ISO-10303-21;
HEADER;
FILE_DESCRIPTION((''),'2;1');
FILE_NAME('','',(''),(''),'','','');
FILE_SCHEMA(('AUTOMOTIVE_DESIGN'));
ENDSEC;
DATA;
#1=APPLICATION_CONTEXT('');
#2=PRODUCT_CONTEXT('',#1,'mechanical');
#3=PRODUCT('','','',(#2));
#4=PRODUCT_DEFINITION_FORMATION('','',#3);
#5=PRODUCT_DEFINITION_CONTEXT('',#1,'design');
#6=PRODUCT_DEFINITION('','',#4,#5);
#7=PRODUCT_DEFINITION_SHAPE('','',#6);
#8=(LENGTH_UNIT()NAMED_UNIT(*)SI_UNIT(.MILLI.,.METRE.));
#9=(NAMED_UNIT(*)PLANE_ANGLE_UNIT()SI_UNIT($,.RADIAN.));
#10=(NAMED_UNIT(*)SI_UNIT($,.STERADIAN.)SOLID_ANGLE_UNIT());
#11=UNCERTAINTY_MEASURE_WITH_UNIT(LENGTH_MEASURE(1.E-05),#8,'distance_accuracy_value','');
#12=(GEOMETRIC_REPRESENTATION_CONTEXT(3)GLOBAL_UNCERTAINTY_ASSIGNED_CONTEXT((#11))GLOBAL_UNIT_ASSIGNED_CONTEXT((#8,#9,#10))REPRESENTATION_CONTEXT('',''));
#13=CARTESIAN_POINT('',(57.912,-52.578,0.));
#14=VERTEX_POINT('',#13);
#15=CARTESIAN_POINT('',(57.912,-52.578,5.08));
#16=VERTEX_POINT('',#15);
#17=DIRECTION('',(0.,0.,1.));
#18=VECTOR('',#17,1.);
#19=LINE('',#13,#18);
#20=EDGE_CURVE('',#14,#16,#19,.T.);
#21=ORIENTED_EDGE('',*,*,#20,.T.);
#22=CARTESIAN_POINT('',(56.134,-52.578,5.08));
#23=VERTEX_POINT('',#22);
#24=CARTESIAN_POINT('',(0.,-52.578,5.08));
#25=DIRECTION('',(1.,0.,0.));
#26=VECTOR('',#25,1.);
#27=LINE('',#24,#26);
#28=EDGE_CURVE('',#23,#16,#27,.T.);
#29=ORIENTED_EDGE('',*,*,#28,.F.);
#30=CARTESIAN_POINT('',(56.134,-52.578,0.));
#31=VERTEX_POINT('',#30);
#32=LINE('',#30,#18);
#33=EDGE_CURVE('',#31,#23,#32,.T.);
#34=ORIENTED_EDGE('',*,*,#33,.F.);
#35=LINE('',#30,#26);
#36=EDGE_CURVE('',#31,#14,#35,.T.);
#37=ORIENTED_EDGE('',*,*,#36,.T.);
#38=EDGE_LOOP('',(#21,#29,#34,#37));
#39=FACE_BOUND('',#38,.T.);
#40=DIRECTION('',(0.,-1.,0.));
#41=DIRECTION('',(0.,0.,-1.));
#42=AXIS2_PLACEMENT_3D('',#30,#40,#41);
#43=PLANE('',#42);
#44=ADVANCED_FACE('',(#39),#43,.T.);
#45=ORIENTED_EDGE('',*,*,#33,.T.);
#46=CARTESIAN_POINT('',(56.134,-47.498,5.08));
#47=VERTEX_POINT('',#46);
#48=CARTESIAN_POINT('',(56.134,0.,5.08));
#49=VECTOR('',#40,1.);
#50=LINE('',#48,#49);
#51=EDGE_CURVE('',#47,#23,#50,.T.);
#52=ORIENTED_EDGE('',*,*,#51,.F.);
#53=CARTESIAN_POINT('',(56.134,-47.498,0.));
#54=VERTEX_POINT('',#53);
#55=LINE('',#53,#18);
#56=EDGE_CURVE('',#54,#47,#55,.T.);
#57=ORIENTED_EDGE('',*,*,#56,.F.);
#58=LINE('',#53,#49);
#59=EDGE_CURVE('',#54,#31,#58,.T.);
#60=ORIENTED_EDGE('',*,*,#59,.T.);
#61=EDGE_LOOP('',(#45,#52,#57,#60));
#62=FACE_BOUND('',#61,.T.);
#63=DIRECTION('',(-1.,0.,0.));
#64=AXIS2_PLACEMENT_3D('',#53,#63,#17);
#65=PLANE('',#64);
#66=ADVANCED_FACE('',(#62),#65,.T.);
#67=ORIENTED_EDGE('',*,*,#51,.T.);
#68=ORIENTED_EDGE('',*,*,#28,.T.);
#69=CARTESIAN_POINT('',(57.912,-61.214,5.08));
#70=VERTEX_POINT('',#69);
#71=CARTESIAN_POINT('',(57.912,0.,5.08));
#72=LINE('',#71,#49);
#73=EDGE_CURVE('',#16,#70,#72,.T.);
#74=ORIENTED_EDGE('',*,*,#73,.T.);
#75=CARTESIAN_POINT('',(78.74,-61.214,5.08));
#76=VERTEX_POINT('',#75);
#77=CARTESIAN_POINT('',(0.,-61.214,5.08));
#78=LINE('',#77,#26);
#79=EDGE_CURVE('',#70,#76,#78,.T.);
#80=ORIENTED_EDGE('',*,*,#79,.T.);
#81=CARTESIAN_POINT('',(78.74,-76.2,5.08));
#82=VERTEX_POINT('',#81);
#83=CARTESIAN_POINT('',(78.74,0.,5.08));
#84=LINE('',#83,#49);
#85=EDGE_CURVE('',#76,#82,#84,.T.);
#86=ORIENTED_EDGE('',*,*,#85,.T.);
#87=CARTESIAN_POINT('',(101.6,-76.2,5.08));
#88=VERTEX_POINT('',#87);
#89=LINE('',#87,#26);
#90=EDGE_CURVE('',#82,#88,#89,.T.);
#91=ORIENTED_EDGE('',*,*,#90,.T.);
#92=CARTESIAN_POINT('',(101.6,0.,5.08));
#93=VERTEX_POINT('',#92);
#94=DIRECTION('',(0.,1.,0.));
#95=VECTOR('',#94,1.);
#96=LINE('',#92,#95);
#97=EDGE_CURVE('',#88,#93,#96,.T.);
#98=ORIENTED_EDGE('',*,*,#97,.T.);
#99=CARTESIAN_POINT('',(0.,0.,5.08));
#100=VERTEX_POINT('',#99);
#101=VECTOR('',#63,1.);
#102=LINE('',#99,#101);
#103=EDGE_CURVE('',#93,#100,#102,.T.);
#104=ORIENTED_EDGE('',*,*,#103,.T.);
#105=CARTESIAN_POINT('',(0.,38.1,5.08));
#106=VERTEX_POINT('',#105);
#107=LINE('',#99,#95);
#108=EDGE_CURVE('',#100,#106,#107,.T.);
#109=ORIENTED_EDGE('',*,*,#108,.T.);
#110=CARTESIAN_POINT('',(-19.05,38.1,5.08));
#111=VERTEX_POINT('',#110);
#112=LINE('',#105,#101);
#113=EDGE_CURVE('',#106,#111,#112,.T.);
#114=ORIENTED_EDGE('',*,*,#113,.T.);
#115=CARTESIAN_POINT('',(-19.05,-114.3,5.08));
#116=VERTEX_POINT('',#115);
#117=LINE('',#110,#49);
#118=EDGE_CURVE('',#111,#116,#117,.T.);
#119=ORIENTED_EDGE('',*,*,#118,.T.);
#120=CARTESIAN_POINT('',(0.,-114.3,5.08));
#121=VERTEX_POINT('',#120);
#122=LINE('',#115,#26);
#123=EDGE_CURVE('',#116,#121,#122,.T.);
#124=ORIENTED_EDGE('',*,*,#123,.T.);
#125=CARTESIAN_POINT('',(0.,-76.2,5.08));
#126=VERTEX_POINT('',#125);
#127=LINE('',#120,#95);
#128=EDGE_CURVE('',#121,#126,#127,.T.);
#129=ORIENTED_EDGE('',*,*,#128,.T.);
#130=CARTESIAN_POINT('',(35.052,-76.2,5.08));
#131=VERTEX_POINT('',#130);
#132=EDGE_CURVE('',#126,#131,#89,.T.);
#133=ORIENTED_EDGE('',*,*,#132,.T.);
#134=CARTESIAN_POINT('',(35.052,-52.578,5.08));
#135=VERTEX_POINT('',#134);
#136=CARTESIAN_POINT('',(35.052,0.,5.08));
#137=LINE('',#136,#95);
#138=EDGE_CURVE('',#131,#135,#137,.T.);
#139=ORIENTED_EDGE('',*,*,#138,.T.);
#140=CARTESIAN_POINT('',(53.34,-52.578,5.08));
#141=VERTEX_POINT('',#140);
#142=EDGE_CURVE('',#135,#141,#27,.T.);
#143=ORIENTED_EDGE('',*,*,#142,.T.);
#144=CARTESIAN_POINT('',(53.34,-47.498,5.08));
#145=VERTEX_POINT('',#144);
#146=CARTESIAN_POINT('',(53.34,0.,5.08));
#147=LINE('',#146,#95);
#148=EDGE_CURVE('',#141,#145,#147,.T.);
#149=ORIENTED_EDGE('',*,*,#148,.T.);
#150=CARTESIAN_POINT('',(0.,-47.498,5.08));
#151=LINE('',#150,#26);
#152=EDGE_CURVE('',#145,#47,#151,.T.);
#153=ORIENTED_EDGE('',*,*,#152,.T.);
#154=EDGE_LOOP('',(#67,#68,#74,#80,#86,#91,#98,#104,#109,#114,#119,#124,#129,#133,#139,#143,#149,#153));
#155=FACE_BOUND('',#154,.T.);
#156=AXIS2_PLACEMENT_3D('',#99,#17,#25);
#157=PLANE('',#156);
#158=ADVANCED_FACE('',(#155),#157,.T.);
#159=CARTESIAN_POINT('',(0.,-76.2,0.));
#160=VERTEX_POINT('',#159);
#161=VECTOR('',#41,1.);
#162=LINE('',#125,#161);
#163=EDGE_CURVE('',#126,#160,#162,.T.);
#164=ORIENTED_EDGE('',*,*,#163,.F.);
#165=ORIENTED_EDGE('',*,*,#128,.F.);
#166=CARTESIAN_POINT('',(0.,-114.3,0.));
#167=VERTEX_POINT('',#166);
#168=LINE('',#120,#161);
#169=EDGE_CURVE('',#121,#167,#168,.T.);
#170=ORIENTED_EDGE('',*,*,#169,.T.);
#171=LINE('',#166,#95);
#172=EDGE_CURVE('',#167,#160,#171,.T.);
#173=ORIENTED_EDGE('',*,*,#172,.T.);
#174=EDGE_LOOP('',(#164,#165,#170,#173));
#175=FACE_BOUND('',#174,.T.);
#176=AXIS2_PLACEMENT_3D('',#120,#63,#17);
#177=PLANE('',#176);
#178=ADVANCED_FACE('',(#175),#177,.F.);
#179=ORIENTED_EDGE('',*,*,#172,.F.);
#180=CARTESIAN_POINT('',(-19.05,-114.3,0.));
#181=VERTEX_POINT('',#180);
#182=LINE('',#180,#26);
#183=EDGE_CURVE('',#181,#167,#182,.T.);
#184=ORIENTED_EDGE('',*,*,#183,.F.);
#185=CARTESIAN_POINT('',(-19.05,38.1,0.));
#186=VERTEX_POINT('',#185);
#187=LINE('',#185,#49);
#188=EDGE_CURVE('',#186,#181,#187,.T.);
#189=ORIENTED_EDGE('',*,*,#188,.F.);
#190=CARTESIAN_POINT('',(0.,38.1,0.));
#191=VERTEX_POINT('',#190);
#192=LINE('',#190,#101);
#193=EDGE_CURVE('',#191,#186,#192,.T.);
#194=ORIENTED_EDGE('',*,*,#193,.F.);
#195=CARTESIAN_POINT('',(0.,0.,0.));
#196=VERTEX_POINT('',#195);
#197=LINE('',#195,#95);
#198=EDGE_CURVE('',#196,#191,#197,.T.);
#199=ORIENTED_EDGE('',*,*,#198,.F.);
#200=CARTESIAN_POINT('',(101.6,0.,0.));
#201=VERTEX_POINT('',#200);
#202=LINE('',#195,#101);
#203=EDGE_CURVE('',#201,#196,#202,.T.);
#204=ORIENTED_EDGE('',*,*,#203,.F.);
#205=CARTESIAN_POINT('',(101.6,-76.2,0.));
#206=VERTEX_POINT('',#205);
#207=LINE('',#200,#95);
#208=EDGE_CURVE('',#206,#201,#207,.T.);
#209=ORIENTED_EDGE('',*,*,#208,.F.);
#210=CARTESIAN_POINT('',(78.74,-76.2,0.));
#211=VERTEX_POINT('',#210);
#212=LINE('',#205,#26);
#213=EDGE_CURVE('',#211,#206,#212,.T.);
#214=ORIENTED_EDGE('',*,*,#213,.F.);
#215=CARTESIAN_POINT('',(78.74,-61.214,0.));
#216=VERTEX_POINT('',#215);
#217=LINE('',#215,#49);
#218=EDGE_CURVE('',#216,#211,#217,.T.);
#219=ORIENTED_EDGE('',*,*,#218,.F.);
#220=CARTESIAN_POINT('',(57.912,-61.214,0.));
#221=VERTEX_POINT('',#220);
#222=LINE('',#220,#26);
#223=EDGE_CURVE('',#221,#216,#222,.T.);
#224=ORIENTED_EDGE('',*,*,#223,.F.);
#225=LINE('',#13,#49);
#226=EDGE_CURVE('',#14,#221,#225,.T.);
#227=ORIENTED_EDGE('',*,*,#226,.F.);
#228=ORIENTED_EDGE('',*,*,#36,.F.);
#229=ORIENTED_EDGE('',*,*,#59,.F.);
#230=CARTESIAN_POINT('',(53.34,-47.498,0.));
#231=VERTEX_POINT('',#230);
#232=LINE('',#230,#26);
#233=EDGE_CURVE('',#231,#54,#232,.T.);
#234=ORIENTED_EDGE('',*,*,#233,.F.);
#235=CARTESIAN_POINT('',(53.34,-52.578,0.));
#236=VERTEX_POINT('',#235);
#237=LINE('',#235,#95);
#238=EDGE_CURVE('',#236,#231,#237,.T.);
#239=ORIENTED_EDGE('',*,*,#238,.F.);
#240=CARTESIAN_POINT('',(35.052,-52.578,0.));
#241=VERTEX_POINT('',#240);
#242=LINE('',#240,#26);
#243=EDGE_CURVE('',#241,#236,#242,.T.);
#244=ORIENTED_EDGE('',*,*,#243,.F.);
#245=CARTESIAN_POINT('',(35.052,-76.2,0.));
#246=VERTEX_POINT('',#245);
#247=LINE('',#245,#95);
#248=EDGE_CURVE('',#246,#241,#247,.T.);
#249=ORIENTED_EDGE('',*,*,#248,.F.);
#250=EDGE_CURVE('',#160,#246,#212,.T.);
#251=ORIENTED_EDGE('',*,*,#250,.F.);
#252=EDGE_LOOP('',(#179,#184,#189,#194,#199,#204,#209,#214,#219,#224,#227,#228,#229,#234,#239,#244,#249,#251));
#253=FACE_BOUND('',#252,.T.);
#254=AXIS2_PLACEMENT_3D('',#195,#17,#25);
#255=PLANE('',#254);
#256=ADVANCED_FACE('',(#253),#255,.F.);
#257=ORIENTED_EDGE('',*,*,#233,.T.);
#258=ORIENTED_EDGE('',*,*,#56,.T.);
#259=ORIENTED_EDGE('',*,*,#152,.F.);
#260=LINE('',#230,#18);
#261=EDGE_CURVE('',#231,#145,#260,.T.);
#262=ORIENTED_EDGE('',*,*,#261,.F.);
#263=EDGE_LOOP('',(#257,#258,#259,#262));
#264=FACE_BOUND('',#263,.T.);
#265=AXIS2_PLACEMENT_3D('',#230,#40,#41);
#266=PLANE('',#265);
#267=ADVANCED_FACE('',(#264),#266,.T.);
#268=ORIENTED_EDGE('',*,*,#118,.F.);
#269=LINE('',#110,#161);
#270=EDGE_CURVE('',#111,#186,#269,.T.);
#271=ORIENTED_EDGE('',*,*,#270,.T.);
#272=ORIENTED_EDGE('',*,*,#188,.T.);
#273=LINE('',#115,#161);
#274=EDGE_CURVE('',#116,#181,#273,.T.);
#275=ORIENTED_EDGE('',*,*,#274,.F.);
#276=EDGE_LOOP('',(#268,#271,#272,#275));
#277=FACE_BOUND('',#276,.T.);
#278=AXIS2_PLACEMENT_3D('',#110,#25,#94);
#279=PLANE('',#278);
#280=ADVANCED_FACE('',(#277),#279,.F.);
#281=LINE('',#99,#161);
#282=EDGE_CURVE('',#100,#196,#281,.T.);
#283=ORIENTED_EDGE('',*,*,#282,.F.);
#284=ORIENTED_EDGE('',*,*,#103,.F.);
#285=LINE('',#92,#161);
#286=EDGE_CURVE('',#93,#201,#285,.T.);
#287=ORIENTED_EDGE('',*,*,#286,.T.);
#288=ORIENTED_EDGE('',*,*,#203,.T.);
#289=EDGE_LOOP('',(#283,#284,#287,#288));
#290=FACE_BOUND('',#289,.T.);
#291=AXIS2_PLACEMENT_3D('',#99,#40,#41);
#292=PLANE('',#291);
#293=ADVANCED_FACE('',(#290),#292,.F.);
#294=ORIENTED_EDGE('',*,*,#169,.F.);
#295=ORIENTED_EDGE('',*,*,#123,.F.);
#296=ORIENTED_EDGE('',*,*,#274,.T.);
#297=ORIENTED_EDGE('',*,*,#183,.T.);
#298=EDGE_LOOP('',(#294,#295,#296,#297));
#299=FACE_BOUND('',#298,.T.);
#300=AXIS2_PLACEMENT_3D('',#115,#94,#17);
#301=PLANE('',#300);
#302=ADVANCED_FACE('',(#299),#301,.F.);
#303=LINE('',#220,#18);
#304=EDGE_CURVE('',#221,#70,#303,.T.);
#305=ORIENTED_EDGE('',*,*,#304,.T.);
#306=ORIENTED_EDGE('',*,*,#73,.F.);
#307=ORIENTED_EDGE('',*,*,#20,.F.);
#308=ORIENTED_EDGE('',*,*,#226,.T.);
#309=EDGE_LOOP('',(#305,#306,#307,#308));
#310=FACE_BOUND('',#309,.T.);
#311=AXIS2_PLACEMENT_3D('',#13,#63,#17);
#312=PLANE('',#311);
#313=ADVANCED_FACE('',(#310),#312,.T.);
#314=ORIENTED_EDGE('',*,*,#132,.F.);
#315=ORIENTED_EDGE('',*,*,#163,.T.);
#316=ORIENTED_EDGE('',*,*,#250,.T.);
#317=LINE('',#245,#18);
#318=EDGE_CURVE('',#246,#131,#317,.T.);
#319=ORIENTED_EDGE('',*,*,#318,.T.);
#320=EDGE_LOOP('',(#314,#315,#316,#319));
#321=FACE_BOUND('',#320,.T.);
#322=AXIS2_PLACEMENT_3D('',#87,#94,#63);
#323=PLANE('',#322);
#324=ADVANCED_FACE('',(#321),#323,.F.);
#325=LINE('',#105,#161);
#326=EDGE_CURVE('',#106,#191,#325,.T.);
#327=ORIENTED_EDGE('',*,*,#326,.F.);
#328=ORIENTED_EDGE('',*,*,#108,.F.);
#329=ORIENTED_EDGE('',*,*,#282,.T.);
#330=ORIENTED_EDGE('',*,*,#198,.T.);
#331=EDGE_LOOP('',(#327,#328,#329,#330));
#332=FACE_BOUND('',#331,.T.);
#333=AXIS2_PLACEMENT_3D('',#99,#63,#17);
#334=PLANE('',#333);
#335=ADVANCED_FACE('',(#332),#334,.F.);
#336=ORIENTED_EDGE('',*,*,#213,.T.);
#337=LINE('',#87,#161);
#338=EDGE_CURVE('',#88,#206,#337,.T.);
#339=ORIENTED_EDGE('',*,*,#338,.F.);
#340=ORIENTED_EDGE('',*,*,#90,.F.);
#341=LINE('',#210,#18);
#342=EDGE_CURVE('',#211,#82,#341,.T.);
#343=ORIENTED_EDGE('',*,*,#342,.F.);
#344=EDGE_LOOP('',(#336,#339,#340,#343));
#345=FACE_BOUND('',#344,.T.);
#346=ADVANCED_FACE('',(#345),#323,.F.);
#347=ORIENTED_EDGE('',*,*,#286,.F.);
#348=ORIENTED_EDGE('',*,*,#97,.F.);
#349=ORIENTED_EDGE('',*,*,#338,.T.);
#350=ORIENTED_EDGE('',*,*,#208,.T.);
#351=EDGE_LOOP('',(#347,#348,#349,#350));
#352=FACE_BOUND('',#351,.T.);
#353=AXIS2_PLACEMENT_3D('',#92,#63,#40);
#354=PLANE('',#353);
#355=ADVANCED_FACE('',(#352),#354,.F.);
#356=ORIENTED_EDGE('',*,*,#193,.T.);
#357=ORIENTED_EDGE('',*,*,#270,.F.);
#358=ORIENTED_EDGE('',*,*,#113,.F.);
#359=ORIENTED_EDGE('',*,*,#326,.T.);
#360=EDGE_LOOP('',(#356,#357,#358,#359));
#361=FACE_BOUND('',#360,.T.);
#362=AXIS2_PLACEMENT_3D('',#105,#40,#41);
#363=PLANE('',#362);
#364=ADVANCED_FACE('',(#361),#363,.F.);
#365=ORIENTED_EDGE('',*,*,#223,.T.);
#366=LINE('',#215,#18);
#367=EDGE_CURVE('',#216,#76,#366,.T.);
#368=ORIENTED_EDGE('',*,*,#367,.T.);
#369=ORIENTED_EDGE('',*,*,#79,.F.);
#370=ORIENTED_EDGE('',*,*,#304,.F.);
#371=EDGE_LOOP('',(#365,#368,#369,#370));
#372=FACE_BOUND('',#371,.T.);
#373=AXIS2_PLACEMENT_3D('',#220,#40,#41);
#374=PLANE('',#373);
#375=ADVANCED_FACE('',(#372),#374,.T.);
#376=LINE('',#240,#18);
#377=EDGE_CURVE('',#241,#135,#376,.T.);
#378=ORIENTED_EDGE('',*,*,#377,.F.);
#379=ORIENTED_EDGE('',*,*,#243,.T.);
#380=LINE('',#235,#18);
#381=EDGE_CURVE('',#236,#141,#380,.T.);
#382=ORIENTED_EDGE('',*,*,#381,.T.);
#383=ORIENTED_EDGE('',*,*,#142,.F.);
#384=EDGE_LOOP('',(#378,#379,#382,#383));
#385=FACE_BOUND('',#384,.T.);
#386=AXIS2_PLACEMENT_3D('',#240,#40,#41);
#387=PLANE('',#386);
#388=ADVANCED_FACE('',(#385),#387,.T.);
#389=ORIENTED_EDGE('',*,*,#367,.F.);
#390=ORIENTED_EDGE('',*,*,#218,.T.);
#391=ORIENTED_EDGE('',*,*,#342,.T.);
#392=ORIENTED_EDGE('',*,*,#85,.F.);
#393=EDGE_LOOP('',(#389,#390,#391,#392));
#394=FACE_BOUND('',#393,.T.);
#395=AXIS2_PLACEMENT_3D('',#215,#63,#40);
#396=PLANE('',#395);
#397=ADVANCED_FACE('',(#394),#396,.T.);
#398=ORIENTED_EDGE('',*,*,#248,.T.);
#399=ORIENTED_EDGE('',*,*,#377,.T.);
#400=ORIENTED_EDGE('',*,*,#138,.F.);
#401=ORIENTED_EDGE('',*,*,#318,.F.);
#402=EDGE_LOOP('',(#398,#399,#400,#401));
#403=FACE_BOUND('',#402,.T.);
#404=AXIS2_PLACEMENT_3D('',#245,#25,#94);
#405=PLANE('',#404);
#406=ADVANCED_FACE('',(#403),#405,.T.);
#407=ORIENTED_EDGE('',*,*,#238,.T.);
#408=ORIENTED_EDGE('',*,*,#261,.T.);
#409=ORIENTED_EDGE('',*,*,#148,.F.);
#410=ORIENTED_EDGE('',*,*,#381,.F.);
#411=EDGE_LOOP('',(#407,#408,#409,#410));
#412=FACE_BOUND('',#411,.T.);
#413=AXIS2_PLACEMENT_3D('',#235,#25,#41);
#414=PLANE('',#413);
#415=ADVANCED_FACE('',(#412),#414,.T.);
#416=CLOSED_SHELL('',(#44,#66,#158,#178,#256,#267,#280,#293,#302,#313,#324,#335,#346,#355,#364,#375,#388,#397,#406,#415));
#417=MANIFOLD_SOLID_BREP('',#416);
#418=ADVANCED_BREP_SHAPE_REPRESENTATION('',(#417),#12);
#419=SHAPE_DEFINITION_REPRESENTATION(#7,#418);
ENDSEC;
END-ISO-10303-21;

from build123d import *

# Parameters (mm, degrees)
BOSS_EXTRUDE1_DEPTH     = 5.08
CUT_EXTRUDE1_DEPTH      = 154.012602095
CUT_EXTRUDE1_DEPTH_BACK = 154.012602095


with BuildPart() as part:
    # Sketch1 → Boss-Extrude1 (new body)
    with BuildSketch(Plane.XY):
        Polygon((0, 0), (101.6, 0), (101.6, -76.2), (0, -76.2), (0, -114.3), (-19.05, -114.3), (-19.05, 38.1), (0, 38.1), align=None)
    extrude(amount=BOSS_EXTRUDE1_DEPTH)

    # Sketch2 → Cut-Extrude1 (cut, two sides: drawn at the far end of the back side and taken through both)
    with BuildSketch(Plane.XY.offset(5.08).offset(-CUT_EXTRUDE1_DEPTH_BACK)):
        Polygon((35.052, -76.2), (35.052, -52.578), (53.34, -52.578), (53.34, -47.498), (56.134, -47.498), (56.134, -52.578), (57.912, -52.578), (57.912, -61.214), (78.74, -61.214), (78.74, -76.2), align=None)
    extrude(amount=CUT_EXTRUDE1_DEPTH + CUT_EXTRUDE1_DEPTH_BACK, mode=Mode.SUBTRACT)


solid = part.part
